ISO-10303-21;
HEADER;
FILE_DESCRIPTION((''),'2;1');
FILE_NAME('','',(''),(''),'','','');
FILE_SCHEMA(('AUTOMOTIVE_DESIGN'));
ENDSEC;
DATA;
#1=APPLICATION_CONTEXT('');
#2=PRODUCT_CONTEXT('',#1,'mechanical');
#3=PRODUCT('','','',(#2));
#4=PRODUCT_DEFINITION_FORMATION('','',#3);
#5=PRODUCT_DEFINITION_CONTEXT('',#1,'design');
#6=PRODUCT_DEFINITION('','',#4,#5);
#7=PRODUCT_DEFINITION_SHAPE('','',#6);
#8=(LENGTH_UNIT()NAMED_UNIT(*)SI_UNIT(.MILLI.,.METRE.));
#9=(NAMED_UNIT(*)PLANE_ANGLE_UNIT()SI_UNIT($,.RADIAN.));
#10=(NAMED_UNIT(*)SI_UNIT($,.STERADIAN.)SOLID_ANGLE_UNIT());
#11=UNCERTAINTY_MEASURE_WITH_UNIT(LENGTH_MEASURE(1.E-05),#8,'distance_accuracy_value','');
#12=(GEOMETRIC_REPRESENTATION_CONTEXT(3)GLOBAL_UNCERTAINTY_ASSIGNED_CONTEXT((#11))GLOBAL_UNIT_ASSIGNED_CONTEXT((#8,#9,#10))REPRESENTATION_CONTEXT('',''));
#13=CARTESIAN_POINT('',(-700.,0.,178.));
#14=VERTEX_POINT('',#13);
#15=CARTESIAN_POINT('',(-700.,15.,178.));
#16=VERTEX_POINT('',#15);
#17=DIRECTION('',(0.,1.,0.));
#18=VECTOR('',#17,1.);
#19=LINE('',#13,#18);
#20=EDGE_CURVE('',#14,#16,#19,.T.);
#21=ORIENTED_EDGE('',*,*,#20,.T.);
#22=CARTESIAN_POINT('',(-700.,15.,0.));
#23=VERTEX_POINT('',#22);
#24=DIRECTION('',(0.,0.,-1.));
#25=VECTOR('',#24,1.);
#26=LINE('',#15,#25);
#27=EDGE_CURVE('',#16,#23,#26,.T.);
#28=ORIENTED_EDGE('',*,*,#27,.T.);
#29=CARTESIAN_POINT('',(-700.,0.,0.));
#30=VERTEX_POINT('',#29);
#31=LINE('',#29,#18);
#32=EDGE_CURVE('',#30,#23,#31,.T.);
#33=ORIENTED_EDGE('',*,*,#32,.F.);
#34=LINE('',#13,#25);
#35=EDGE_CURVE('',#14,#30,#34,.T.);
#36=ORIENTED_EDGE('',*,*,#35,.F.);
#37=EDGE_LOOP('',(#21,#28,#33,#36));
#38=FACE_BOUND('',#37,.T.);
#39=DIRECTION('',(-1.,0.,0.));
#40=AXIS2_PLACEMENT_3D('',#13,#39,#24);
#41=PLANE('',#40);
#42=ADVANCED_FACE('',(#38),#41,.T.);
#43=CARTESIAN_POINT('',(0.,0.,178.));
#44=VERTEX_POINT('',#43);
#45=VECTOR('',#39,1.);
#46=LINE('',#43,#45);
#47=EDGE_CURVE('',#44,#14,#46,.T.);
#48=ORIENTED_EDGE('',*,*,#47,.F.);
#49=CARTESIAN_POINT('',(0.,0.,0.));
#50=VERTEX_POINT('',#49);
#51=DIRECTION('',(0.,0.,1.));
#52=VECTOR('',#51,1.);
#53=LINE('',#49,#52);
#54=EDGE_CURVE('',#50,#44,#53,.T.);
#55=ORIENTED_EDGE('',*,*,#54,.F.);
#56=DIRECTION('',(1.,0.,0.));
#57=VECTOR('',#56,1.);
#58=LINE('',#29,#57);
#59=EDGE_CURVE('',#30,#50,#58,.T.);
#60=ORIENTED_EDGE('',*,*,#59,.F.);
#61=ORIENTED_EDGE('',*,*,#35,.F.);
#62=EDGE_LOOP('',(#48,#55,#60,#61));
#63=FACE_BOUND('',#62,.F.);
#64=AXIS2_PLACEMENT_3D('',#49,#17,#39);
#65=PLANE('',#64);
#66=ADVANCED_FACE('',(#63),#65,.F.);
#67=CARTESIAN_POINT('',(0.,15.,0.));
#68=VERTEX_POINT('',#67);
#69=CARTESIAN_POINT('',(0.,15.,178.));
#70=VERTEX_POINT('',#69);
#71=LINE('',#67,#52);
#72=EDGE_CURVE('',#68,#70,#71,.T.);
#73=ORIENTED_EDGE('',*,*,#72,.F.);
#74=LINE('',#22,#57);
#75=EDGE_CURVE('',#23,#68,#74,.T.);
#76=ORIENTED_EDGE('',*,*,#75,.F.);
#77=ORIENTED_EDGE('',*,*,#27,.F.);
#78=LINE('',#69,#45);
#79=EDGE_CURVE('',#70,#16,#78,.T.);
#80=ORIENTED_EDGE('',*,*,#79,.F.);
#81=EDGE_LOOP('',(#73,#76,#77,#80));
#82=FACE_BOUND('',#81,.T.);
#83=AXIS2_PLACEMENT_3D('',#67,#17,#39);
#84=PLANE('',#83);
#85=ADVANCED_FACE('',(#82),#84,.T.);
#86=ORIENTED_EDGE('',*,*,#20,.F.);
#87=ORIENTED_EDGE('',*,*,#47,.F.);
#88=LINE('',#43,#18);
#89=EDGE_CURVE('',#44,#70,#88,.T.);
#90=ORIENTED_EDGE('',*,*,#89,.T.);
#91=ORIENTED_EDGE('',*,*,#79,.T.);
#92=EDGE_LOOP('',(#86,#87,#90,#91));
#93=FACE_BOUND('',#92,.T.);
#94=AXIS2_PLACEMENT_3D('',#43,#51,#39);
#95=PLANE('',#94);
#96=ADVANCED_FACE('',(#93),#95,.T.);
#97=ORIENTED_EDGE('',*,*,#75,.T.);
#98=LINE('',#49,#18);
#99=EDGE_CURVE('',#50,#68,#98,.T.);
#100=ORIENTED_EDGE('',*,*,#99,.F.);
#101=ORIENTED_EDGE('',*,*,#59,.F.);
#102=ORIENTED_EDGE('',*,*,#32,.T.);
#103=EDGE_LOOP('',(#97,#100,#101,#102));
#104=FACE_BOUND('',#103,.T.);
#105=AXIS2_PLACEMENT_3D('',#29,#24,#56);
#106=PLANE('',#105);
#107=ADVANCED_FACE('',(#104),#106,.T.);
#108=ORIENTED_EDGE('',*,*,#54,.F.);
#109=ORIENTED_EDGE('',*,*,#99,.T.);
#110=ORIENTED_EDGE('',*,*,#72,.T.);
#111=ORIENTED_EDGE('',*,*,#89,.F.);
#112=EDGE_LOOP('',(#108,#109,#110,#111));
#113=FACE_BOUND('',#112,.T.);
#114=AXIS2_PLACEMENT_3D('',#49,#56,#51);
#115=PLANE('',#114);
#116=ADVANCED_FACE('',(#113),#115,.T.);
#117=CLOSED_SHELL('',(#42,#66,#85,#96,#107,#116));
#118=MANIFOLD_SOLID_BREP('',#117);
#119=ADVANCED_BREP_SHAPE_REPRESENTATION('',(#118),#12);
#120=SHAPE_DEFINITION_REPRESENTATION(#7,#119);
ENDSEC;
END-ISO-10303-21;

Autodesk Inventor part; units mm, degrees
ref_plane "XZ Plane" through (0, 0, 0) normal (0, 1, 0) x (-1, 0, 0)
ref_plane "XY Plane" through (0, 0, 0) normal (0, 0, 1) x (1, 0, 0)
sketch "Sketch1" plane through (0, 0, 0) normal (0, 1, 0) x (-1, 0, 0)
  line L0 (0, 0) -> (0, 178)
  line L1 (0, 178) -> (700, 178)
  line L2 (700, 178) -> (700, 0)
  line L3 (700, 0) -> (0, 0)
  dimension "d0" = 178
  dimension "d1" = 700
extrude "Extrusion1" add sketch "Sketch1" along normal blind 15
ref_plane "Work Plane1" through (-350, 0, 0) normal (1, 0, 0) x (0, 1, 0)
properties part number "Generic Tail 1" material "Wood (Birch)"
